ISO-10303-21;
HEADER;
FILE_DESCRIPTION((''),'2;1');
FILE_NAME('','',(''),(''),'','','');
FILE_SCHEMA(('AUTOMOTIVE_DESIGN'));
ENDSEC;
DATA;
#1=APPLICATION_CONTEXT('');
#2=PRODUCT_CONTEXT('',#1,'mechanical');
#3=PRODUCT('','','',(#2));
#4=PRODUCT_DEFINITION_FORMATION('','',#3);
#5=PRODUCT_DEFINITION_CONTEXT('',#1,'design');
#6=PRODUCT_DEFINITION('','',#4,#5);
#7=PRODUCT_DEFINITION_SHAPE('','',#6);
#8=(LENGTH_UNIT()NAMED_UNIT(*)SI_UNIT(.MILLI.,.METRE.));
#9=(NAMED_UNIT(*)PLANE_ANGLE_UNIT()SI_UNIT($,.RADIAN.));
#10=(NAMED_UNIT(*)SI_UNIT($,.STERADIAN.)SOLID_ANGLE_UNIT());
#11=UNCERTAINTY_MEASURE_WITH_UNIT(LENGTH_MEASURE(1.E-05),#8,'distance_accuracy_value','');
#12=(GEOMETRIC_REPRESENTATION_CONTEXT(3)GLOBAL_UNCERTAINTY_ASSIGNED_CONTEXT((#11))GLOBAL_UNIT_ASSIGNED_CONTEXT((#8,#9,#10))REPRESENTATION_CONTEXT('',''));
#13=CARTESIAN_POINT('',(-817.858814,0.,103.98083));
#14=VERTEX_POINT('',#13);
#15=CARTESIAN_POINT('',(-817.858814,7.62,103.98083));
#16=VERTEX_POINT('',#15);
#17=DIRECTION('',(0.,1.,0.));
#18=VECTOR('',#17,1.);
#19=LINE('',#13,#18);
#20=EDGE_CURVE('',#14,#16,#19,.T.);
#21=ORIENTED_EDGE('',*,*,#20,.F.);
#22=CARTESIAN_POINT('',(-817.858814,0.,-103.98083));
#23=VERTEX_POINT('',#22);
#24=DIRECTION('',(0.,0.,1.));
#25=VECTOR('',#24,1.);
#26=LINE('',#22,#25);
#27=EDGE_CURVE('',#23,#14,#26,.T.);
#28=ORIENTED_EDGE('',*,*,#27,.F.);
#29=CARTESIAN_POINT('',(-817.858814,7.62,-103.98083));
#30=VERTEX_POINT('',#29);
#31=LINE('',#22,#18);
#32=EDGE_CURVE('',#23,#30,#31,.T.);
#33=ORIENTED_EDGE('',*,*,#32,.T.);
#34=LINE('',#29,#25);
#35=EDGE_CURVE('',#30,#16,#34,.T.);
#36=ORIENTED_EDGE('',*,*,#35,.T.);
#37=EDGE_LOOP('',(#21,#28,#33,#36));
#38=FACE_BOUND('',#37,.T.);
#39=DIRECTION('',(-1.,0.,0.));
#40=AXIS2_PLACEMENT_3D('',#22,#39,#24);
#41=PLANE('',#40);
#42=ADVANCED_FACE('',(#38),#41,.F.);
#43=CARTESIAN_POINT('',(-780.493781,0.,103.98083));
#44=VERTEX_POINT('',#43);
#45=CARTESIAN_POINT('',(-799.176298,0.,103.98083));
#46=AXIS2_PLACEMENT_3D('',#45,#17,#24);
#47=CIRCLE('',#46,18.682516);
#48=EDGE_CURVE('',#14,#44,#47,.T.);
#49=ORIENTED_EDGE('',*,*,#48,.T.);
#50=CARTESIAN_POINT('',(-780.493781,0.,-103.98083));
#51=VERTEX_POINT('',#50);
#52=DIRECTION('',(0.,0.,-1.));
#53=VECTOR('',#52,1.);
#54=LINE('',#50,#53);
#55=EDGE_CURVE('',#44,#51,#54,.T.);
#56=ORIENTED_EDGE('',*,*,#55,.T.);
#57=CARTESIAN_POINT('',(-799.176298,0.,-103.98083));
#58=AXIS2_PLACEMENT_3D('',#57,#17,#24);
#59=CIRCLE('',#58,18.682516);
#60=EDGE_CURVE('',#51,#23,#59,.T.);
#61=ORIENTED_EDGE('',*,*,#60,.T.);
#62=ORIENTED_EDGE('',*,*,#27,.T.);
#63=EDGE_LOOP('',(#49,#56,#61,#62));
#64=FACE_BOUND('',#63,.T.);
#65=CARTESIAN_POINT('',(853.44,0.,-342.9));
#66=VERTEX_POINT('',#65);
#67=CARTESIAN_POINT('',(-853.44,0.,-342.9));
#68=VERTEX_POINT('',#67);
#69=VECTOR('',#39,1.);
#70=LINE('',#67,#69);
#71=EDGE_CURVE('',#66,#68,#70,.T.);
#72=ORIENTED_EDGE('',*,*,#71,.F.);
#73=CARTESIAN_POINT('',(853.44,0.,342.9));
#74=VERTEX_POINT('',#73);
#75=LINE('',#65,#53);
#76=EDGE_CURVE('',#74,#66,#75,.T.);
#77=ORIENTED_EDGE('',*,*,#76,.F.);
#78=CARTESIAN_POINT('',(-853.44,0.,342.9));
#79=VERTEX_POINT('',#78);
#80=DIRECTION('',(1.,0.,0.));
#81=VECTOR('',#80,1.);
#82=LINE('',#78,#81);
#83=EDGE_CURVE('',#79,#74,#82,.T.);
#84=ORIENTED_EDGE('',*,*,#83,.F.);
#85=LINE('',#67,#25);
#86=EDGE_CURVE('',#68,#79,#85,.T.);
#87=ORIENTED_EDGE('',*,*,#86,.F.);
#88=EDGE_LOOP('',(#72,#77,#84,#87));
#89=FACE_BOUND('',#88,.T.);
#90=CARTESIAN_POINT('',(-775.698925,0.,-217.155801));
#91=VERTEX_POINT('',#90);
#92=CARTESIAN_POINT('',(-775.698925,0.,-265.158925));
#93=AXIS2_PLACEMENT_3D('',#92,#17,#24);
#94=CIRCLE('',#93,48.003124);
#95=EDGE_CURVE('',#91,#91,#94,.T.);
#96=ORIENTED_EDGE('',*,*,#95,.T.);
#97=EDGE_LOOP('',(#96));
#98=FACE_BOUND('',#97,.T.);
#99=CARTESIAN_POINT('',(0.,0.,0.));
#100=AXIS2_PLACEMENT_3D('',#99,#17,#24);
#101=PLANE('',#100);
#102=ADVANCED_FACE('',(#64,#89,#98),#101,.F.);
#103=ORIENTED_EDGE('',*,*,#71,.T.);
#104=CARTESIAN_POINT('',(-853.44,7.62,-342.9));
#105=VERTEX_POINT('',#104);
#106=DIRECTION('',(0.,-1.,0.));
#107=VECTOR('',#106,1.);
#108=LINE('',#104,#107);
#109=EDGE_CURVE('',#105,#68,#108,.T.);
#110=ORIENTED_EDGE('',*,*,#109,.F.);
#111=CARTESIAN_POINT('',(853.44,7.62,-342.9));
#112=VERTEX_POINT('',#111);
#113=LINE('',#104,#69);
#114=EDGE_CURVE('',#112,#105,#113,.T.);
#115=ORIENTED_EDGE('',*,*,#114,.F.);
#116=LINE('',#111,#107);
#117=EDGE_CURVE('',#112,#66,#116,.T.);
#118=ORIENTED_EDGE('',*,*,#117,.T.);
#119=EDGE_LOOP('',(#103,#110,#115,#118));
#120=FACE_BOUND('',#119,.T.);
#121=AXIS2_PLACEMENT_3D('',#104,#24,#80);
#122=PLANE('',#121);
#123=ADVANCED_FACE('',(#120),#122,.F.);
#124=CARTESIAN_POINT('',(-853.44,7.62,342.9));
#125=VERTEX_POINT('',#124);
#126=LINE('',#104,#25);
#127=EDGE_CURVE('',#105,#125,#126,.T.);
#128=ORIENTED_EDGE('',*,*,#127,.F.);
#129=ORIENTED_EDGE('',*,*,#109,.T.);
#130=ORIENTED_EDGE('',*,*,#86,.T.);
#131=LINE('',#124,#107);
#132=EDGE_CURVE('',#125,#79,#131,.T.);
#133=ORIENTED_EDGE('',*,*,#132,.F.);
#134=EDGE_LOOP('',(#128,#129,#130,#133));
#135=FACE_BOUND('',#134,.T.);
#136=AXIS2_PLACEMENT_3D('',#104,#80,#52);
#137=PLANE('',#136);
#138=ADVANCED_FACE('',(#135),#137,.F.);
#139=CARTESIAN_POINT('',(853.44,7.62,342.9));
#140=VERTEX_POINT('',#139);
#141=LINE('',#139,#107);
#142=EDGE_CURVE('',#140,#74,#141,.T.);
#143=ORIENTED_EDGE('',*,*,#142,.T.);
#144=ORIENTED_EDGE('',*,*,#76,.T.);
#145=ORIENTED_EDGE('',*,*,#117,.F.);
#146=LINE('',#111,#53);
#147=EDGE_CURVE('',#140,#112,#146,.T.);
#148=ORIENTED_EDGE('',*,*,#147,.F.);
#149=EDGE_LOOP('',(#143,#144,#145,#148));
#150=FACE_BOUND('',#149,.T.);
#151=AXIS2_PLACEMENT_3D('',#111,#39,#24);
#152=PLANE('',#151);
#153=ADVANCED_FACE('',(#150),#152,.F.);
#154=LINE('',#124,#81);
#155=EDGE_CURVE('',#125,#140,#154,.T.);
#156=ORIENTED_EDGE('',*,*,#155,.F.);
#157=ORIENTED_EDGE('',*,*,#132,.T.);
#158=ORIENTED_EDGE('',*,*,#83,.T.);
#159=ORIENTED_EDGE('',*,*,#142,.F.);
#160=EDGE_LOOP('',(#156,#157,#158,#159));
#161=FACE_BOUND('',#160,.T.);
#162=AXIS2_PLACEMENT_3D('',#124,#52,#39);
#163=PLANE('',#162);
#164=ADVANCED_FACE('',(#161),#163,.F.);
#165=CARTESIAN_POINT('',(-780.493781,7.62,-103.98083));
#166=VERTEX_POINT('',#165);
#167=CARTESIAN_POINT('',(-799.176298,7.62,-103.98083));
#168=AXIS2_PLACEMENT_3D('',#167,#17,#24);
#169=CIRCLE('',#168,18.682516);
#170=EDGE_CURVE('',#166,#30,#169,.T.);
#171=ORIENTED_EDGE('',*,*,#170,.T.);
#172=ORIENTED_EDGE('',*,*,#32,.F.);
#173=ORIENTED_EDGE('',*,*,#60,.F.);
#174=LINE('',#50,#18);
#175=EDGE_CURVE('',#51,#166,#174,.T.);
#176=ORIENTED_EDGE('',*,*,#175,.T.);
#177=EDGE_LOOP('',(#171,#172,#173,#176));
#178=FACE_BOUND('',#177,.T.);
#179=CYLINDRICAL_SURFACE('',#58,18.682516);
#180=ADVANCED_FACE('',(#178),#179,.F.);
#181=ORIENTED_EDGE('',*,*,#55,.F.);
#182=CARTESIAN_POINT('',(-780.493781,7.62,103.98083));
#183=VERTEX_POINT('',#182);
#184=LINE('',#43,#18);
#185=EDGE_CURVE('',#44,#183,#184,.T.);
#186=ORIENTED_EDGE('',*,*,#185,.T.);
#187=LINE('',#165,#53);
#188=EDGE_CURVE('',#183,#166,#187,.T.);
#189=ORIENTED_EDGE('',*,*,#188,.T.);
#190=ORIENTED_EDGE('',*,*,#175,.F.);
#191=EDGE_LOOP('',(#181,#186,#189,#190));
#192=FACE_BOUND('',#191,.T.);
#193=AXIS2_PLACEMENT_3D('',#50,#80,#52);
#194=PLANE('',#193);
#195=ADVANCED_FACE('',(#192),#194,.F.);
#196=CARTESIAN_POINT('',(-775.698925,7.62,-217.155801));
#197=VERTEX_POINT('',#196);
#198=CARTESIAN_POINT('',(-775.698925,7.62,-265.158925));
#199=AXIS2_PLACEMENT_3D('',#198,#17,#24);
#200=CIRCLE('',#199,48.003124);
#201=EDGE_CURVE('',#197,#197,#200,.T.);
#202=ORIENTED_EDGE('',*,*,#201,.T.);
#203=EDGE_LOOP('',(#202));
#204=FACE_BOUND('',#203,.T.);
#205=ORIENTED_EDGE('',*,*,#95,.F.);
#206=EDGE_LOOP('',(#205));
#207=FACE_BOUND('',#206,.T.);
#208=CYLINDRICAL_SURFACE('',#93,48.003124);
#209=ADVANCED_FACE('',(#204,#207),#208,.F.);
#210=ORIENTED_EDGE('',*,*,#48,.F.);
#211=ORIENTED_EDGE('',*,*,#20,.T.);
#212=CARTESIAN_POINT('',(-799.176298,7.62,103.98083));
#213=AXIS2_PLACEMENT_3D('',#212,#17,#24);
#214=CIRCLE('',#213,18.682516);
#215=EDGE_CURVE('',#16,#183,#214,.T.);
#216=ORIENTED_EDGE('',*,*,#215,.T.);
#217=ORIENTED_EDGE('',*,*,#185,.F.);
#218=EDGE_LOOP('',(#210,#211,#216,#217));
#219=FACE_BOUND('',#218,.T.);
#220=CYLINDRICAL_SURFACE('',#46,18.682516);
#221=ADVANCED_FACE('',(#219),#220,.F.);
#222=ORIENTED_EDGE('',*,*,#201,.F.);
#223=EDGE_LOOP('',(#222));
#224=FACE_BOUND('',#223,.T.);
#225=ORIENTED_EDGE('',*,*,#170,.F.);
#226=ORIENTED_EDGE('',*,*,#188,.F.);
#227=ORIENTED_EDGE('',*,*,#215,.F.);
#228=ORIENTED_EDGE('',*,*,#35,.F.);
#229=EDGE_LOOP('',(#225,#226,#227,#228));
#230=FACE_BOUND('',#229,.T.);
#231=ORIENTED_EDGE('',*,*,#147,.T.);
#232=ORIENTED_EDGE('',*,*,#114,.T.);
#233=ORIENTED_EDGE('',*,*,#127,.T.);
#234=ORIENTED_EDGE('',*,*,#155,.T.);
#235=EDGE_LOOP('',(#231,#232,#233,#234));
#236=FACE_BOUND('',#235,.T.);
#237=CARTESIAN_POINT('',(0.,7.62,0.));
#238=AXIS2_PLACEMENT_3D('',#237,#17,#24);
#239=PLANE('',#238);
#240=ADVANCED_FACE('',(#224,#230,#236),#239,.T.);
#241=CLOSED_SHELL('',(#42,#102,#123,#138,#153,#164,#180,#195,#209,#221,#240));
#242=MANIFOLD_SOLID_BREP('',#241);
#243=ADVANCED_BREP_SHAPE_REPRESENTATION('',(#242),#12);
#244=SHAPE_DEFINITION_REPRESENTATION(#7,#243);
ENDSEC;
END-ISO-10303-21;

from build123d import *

# Parameters (mm, degrees)
SKETCH1_W           = 1706.88
SKETCH1_H           = 685.8
BOSS_EXTRUDE1_DEPTH = 7.62
SKETCH2_R           = 48.003123946
CUT_EXTRUDE1_DEPTH  = 7.62


with BuildPart() as part:
    # Sketch1 → Boss-Extrude1 (new body)
    with BuildSketch(Plane(origin=(0, 0, 0), x_dir=(1, 0, 0), z_dir=(0, 1, 0))):
        Rectangle(SKETCH1_W, SKETCH1_H)
    extrude(amount=BOSS_EXTRUDE1_DEPTH)

    # Sketch2 → Cut-Extrude1 (cut)
    with BuildSketch(Plane(origin=(0, 7.62, 0), x_dir=(1, 0, 0), z_dir=(0, 1, 0))):
        with Locations(Location((-775.698925032, 265.158925032, 0), (0, 0, 270))):
            Circle(SKETCH2_R)
        with BuildLine():
            Line((-780.493781084, 103.980830335), (-780.493781084, -103.980830335))
            ThreePointArc((-780.493781084, -103.980830335), (-799.17629755, -122.663346801), (-817.858814016, -103.980830335))
            Line((-817.858814016, -103.980830335), (-817.858814016, 103.980830335))
            ThreePointArc((-817.858814016, 103.980830335), (-799.17629755, 122.663346801), (-780.493781084, 103.980830335))
        make_face()
    extrude(amount=-CUT_EXTRUDE1_DEPTH, mode=Mode.SUBTRACT)


solid = part.part
